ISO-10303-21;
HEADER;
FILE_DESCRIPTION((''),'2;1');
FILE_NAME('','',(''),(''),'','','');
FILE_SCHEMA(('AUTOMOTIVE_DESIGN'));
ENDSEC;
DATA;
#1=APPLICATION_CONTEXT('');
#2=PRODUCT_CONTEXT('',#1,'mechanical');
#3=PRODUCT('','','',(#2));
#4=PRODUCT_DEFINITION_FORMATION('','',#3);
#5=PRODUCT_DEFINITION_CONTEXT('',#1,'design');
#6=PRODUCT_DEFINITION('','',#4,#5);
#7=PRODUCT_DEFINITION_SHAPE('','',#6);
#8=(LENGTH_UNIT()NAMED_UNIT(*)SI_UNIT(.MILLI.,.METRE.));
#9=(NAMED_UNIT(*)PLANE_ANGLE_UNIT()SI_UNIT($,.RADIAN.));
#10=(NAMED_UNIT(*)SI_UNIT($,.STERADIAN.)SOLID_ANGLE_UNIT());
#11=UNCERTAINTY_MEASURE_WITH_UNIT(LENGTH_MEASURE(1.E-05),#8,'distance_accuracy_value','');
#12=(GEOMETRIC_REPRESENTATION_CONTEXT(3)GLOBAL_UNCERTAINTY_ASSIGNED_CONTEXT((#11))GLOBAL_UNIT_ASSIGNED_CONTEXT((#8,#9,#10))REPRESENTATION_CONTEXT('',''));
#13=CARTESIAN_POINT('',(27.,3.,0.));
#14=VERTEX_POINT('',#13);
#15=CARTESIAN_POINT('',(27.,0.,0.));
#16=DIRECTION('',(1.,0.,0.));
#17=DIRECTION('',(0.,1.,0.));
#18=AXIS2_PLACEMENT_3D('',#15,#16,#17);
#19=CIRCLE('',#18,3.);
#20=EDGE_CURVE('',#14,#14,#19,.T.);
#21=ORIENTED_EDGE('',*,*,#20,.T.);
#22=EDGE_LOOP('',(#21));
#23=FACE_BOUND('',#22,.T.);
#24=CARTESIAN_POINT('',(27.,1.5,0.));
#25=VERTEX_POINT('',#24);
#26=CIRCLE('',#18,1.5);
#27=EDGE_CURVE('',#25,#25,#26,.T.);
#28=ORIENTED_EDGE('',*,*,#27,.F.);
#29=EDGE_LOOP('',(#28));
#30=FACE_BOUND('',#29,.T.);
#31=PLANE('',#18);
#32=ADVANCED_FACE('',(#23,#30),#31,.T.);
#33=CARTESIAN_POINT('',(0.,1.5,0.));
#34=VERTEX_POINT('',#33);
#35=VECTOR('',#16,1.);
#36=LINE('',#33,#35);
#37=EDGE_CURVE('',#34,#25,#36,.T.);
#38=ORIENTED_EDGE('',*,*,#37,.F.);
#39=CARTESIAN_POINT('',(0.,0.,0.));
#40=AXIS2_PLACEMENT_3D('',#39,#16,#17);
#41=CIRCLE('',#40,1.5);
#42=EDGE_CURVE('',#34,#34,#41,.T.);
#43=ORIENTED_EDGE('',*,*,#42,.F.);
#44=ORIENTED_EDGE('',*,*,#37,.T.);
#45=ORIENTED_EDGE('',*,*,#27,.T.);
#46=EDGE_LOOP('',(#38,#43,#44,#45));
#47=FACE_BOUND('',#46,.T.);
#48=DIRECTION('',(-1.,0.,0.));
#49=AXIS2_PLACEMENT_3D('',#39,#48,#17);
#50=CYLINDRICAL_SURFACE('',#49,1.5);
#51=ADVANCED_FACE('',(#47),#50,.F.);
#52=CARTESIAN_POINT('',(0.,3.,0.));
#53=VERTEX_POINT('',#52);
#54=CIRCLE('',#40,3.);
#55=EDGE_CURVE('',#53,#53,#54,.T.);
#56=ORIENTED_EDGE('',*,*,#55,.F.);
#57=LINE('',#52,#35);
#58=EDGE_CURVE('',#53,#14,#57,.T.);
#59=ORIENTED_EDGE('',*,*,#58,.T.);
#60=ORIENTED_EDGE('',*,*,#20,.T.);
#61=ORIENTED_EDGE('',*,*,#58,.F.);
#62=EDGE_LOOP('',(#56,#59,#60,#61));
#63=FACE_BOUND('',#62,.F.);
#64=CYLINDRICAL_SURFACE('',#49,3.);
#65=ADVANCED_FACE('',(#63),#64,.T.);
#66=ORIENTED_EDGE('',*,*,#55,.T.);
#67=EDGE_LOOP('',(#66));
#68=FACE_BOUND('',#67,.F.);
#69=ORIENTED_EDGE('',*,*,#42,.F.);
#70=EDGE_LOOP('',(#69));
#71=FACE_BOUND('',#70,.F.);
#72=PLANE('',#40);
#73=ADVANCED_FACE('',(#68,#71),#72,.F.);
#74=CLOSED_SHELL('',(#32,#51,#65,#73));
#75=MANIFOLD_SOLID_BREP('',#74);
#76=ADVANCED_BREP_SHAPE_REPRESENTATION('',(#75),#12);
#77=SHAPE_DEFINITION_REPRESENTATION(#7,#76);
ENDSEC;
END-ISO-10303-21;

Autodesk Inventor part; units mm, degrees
ref_plane "YZ Plane" through (0, 0, 0) normal (1, 0, 0) x (0, 1, 0)
ref_plane "XZ Plane" through (0, 0, 0) normal (0, 1, 0) x (-1, 0, 0)
ref_plane "XY Plane" through (0, 0, 0) normal (0, 0, 1) x (1, 0, 0)
sketch "スケッチ1" plane through (0, 0, 0) normal (1, 0, 0) x (0, 1, 0)
  circle A0 centre (0, 0) radius 3
  circle A1 centre (0, 0) radius 1.5
  dimension "d0" = 6
  dimension "d1" = 3
extrude "押し出し1" add sketch "スケッチ1" along normal blind 27
properties part number "dribl-v1-Shaft-spesa-57" material "アルミニウム 6061"
